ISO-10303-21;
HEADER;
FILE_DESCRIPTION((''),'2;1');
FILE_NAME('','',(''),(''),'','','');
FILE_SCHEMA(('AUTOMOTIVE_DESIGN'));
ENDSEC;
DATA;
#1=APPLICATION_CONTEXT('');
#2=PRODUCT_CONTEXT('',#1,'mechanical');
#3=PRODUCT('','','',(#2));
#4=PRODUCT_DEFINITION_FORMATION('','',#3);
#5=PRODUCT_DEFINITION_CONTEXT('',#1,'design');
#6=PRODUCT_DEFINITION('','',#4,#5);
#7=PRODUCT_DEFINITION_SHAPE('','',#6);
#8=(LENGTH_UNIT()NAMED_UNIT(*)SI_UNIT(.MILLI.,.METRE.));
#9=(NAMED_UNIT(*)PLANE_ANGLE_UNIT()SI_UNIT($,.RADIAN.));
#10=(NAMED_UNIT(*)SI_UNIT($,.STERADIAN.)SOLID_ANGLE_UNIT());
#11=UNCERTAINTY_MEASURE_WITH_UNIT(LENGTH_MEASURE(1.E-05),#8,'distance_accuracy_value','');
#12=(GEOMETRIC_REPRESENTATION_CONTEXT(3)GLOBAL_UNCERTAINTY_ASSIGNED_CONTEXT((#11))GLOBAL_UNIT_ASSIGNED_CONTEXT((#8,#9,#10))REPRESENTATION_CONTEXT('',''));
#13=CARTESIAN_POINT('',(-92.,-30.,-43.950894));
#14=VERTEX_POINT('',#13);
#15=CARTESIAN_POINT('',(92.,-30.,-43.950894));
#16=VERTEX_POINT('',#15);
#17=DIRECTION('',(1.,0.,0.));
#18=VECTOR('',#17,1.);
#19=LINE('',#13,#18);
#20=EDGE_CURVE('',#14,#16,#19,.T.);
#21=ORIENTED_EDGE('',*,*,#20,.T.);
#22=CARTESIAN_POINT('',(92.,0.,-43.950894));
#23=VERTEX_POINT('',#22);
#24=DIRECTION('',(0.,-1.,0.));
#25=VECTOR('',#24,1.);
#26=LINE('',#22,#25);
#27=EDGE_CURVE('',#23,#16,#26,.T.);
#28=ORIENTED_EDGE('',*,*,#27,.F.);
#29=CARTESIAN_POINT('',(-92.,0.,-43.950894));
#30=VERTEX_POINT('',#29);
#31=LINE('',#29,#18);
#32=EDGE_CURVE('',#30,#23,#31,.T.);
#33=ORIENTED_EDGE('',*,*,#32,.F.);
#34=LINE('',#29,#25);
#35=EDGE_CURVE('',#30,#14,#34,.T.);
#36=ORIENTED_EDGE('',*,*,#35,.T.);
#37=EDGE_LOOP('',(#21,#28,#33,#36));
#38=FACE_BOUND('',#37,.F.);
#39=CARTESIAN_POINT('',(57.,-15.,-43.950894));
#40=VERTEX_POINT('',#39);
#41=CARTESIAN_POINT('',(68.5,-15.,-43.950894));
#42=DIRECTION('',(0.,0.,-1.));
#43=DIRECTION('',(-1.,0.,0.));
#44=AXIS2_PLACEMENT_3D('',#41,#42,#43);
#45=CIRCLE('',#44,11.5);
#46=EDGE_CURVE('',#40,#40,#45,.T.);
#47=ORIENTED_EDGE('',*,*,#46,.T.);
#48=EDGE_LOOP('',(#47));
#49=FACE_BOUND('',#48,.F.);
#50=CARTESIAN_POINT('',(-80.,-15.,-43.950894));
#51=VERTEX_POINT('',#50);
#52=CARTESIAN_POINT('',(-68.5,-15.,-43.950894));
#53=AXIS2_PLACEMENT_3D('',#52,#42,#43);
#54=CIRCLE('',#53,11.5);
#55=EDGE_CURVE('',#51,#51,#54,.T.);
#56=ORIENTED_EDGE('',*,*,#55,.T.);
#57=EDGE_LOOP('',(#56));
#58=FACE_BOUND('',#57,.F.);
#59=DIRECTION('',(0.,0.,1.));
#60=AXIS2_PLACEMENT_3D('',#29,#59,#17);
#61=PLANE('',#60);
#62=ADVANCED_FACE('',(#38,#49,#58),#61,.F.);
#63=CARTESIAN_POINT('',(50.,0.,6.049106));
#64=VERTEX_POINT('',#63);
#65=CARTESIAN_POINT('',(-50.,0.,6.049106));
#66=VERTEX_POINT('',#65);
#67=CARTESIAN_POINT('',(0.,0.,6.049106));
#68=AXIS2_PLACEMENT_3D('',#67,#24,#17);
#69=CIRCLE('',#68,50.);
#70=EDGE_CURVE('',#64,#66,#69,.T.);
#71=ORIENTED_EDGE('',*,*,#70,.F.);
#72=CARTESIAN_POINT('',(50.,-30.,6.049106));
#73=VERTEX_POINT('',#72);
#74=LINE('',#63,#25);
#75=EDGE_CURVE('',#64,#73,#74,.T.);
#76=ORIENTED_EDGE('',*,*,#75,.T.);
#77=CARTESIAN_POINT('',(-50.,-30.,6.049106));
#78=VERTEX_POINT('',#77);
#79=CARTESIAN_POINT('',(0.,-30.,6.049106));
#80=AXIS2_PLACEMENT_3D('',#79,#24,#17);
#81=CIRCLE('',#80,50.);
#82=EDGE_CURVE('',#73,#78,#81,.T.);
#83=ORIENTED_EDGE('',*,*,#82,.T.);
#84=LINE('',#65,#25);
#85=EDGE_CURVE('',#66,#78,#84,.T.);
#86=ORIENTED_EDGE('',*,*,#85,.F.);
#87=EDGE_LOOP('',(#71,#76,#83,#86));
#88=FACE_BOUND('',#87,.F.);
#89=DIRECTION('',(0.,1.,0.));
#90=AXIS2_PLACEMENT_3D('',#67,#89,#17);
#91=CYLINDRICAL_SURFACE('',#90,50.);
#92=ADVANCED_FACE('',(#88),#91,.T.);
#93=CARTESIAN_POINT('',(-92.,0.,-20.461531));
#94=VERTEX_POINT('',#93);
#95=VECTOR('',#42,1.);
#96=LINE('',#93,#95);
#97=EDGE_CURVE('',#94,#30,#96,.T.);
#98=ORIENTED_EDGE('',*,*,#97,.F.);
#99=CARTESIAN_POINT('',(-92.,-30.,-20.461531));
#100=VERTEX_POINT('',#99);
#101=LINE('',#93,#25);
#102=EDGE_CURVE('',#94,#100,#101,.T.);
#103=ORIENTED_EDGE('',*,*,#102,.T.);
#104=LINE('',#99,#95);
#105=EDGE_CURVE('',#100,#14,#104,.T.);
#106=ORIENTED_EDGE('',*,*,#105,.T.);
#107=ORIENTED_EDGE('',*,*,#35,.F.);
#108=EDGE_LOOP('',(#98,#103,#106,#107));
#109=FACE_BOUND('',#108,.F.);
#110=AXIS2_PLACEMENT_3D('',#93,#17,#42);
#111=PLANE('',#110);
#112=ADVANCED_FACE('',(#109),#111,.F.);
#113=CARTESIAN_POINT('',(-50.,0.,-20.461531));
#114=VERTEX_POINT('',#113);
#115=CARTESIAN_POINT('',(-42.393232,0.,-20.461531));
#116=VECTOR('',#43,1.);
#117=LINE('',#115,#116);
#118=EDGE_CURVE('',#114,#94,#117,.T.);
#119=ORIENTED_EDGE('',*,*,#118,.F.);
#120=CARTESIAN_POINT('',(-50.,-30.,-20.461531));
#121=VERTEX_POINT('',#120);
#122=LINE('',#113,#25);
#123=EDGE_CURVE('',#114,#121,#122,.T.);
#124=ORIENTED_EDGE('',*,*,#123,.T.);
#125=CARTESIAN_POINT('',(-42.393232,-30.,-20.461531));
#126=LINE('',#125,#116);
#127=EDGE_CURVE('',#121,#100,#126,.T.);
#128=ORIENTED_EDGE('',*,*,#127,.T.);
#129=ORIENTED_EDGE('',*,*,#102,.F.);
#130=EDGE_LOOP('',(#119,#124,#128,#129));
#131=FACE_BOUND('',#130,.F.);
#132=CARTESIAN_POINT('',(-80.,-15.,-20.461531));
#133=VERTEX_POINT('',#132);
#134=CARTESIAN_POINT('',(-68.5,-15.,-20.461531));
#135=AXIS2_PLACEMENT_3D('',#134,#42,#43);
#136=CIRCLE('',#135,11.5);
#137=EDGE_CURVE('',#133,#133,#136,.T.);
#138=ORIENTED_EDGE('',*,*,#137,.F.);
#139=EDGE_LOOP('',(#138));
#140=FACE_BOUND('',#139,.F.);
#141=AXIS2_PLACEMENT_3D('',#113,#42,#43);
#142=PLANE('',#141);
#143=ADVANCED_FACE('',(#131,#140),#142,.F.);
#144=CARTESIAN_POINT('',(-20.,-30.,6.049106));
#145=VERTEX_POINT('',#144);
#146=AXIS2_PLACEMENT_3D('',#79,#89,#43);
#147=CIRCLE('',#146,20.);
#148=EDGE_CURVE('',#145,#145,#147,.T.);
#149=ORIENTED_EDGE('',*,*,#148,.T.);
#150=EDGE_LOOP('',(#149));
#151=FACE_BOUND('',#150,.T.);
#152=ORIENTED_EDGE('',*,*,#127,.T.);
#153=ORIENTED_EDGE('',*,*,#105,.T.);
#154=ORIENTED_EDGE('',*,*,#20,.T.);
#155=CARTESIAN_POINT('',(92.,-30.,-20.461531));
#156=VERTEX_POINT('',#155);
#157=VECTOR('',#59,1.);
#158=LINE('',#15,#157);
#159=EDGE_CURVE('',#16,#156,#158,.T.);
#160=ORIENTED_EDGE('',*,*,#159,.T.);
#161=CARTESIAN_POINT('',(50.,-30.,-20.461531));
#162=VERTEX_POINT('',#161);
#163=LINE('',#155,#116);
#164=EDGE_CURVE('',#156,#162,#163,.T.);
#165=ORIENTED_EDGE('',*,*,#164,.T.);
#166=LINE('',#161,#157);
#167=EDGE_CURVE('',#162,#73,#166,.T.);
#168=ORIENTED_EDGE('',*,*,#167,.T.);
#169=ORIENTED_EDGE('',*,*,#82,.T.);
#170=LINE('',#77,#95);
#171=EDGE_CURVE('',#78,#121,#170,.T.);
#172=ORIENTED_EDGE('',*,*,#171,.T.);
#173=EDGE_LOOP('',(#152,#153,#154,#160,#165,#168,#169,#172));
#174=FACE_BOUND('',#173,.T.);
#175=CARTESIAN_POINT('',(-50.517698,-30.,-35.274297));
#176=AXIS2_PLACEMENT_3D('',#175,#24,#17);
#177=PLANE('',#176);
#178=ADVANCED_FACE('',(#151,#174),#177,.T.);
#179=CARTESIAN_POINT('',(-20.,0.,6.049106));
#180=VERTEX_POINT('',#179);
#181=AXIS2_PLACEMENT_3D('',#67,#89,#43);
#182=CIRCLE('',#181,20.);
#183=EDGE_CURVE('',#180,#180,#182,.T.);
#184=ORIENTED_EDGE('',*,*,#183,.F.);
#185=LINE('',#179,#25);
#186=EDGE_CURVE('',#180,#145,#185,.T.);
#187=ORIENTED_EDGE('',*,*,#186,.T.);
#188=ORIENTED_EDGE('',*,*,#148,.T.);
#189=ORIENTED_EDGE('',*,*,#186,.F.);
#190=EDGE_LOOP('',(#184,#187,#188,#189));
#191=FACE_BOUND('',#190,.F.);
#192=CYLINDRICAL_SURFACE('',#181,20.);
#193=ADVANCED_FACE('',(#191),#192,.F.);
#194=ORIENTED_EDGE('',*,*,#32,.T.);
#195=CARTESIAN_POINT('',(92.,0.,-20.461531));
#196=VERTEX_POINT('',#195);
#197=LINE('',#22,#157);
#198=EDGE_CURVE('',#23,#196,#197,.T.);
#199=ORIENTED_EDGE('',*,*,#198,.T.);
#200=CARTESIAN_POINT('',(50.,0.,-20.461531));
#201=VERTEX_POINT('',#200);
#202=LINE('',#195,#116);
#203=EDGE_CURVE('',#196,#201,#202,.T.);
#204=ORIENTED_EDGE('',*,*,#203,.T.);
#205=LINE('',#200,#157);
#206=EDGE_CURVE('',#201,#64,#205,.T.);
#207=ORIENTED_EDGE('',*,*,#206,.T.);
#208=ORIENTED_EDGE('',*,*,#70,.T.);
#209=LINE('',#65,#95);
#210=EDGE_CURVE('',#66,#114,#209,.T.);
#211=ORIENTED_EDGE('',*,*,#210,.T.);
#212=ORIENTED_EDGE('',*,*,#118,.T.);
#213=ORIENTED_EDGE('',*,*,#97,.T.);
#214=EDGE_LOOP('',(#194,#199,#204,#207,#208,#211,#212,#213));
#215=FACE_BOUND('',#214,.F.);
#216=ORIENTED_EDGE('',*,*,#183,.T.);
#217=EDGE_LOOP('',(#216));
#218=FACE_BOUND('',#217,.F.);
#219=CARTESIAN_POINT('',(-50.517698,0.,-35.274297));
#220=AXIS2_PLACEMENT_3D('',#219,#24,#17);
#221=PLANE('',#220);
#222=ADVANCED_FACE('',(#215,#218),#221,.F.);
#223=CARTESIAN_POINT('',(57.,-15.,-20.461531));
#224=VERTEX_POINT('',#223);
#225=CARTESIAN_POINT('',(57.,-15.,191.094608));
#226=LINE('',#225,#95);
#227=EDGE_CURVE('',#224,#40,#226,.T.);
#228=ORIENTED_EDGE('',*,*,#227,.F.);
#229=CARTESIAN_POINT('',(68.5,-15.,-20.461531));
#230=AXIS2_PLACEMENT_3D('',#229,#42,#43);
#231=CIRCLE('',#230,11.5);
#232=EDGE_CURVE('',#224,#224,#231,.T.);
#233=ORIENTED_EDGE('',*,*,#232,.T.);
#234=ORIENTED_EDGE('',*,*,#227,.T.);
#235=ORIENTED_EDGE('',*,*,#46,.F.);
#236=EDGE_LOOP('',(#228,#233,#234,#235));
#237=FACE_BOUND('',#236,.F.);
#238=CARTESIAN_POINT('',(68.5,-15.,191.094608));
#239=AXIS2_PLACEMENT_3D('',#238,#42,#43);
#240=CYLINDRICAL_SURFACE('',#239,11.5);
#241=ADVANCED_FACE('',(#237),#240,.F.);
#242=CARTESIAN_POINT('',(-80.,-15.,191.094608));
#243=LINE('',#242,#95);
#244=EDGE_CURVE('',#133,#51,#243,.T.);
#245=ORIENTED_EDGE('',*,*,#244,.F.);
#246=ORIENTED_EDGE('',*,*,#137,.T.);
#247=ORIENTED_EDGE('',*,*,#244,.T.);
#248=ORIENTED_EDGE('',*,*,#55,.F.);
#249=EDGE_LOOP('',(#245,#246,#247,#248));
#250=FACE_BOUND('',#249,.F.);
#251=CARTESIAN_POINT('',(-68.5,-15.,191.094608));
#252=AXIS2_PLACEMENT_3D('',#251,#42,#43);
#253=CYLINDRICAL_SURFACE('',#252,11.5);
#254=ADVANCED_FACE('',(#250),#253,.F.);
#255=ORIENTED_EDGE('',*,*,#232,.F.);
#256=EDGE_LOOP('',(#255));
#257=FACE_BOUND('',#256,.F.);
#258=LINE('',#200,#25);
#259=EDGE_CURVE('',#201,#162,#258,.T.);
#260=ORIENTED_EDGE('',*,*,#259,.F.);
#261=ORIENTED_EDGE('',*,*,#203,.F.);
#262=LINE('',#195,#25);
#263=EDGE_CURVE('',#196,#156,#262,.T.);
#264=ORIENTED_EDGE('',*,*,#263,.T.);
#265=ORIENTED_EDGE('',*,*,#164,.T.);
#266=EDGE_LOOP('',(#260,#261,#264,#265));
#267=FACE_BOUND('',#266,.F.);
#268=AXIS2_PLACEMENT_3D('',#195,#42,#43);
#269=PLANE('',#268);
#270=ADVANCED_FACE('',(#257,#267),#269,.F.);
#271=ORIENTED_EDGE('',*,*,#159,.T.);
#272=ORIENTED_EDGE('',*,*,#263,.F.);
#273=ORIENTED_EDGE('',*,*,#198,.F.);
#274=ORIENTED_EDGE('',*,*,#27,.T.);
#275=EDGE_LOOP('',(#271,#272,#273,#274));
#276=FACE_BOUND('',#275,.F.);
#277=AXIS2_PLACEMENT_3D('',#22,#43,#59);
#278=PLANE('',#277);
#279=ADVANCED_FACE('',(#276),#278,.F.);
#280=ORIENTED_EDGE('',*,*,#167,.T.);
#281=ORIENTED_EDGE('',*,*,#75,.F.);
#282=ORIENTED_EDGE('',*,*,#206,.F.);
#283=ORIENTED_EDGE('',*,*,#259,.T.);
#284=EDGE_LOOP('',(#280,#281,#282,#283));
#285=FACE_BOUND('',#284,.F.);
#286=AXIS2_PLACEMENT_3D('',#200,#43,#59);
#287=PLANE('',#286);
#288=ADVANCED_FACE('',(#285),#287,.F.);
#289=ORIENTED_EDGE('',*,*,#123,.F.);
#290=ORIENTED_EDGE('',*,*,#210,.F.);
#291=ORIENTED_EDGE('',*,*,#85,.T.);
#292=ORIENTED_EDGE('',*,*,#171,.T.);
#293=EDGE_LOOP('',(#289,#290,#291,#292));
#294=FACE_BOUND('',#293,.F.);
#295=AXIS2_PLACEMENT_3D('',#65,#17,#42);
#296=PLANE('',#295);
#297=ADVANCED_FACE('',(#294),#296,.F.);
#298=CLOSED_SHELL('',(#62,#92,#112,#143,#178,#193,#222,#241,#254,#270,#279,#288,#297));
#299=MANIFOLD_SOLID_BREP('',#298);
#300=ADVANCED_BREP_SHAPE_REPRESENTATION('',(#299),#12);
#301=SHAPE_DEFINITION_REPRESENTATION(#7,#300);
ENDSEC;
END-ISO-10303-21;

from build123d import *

# Parameters (mm, degrees)
F1_DEPTH = 30
F3_D     = 23


with BuildPart() as f1:
    # F0 (on Front) → F1 (new body)
    with BuildSketch(Plane.XZ):
        with BuildLine():
            Line((-50, -20.4615307876), (-92, -20.4615307876))
            Line((-92, -20.4615307876), (-92, -43.950894077))
            Line((-92, -43.950894077), (-1.508e-07, -43.950894077))
            ThreePointArc((-1.508e-07, -43.950894077), (-24.2329132675, -37.6860734474), (-42.393232257, -20.4615307876))
            Line((-42.393232257, -20.4615307876), (-50, -20.4615307876))
        make_face()
        with BuildLine():
            Line((-50, 6.049105923), (-50, -20.4615307876))
            Line((-50, -20.4615307876), (-42.393232257, -20.4615307876))
            ThreePointArc((-42.393232257, -20.4615307876), (-48.0606991879, -7.7410787594), (-50, 6.049105923))
        make_face()
        with BuildLine():
            ThreePointArc((-50, 6.049105923), (-48.0606991879, -7.7410787594), (-42.393232257, -20.4615307876))
            Line((-42.393232257, -20.4615307876), (42.393232257, -20.4615307876))
            ThreePointArc((42.393232257, -20.4615307876), (48.0606991879, -7.7410787594), (50, 6.049105923))
            Line((50, 6.049105923), (20, 6.049105923))
            ThreePointArc((20, 6.049105923), (0, -13.950894077), (-20, 6.049105923))
            Line((-20, 6.049105923), (-50, 6.049105923))
        make_face()
        with BuildLine():
            Line((42.393232257, -20.4615307876), (-42.393232257, -20.4615307876))
            ThreePointArc((-42.393232257, -20.4615307876), (-24.2329132675, -37.6860734474), (-1.508e-07, -43.950894077))
            ThreePointArc((-1.508e-07, -43.950894077), (24.2329131356, -37.6860735205), (42.393232257, -20.4615307876))
        make_face()
        with BuildLine():
            ThreePointArc((50, 6.049105923), (0, 56.049105923), (-50, 6.049105923))
            Line((-50, 6.049105923), (-20, 6.049105923))
            ThreePointArc((-20, 6.049105923), (0, 26.049105923), (20, 6.049105923))
            Line((20, 6.049105923), (50, 6.049105923))
        make_face()
        with BuildLine():
            ThreePointArc((42.393232257, -20.4615307876), (24.2329131356, -37.6860735205), (-1.508e-07, -43.950894077))
            Line((-1.508e-07, -43.950894077), (92, -43.950894077))
            Line((92, -43.950894077), (92, -20.4615307876))
            Line((92, -20.4615307876), (50, -20.4615307876))
            Line((50, -20.4615307876), (42.393232257, -20.4615307876))
        make_face()
        with BuildLine():
            ThreePointArc((50, 6.049105923), (48.0606991879, -7.7410787594), (42.393232257, -20.4615307876))
            Line((42.393232257, -20.4615307876), (50, -20.4615307876))
            Line((50, -20.4615307876), (50, 6.049105923))
        make_face()
    extrude(amount=F1_DEPTH)

    # F3 (through all)
    with Locations(Plane.XY.offset(-20.4615307876)):
        with Locations((-68.5, -15), (68.5, -15)):
            Hole(F3_D / 2)


solid = f1.part
